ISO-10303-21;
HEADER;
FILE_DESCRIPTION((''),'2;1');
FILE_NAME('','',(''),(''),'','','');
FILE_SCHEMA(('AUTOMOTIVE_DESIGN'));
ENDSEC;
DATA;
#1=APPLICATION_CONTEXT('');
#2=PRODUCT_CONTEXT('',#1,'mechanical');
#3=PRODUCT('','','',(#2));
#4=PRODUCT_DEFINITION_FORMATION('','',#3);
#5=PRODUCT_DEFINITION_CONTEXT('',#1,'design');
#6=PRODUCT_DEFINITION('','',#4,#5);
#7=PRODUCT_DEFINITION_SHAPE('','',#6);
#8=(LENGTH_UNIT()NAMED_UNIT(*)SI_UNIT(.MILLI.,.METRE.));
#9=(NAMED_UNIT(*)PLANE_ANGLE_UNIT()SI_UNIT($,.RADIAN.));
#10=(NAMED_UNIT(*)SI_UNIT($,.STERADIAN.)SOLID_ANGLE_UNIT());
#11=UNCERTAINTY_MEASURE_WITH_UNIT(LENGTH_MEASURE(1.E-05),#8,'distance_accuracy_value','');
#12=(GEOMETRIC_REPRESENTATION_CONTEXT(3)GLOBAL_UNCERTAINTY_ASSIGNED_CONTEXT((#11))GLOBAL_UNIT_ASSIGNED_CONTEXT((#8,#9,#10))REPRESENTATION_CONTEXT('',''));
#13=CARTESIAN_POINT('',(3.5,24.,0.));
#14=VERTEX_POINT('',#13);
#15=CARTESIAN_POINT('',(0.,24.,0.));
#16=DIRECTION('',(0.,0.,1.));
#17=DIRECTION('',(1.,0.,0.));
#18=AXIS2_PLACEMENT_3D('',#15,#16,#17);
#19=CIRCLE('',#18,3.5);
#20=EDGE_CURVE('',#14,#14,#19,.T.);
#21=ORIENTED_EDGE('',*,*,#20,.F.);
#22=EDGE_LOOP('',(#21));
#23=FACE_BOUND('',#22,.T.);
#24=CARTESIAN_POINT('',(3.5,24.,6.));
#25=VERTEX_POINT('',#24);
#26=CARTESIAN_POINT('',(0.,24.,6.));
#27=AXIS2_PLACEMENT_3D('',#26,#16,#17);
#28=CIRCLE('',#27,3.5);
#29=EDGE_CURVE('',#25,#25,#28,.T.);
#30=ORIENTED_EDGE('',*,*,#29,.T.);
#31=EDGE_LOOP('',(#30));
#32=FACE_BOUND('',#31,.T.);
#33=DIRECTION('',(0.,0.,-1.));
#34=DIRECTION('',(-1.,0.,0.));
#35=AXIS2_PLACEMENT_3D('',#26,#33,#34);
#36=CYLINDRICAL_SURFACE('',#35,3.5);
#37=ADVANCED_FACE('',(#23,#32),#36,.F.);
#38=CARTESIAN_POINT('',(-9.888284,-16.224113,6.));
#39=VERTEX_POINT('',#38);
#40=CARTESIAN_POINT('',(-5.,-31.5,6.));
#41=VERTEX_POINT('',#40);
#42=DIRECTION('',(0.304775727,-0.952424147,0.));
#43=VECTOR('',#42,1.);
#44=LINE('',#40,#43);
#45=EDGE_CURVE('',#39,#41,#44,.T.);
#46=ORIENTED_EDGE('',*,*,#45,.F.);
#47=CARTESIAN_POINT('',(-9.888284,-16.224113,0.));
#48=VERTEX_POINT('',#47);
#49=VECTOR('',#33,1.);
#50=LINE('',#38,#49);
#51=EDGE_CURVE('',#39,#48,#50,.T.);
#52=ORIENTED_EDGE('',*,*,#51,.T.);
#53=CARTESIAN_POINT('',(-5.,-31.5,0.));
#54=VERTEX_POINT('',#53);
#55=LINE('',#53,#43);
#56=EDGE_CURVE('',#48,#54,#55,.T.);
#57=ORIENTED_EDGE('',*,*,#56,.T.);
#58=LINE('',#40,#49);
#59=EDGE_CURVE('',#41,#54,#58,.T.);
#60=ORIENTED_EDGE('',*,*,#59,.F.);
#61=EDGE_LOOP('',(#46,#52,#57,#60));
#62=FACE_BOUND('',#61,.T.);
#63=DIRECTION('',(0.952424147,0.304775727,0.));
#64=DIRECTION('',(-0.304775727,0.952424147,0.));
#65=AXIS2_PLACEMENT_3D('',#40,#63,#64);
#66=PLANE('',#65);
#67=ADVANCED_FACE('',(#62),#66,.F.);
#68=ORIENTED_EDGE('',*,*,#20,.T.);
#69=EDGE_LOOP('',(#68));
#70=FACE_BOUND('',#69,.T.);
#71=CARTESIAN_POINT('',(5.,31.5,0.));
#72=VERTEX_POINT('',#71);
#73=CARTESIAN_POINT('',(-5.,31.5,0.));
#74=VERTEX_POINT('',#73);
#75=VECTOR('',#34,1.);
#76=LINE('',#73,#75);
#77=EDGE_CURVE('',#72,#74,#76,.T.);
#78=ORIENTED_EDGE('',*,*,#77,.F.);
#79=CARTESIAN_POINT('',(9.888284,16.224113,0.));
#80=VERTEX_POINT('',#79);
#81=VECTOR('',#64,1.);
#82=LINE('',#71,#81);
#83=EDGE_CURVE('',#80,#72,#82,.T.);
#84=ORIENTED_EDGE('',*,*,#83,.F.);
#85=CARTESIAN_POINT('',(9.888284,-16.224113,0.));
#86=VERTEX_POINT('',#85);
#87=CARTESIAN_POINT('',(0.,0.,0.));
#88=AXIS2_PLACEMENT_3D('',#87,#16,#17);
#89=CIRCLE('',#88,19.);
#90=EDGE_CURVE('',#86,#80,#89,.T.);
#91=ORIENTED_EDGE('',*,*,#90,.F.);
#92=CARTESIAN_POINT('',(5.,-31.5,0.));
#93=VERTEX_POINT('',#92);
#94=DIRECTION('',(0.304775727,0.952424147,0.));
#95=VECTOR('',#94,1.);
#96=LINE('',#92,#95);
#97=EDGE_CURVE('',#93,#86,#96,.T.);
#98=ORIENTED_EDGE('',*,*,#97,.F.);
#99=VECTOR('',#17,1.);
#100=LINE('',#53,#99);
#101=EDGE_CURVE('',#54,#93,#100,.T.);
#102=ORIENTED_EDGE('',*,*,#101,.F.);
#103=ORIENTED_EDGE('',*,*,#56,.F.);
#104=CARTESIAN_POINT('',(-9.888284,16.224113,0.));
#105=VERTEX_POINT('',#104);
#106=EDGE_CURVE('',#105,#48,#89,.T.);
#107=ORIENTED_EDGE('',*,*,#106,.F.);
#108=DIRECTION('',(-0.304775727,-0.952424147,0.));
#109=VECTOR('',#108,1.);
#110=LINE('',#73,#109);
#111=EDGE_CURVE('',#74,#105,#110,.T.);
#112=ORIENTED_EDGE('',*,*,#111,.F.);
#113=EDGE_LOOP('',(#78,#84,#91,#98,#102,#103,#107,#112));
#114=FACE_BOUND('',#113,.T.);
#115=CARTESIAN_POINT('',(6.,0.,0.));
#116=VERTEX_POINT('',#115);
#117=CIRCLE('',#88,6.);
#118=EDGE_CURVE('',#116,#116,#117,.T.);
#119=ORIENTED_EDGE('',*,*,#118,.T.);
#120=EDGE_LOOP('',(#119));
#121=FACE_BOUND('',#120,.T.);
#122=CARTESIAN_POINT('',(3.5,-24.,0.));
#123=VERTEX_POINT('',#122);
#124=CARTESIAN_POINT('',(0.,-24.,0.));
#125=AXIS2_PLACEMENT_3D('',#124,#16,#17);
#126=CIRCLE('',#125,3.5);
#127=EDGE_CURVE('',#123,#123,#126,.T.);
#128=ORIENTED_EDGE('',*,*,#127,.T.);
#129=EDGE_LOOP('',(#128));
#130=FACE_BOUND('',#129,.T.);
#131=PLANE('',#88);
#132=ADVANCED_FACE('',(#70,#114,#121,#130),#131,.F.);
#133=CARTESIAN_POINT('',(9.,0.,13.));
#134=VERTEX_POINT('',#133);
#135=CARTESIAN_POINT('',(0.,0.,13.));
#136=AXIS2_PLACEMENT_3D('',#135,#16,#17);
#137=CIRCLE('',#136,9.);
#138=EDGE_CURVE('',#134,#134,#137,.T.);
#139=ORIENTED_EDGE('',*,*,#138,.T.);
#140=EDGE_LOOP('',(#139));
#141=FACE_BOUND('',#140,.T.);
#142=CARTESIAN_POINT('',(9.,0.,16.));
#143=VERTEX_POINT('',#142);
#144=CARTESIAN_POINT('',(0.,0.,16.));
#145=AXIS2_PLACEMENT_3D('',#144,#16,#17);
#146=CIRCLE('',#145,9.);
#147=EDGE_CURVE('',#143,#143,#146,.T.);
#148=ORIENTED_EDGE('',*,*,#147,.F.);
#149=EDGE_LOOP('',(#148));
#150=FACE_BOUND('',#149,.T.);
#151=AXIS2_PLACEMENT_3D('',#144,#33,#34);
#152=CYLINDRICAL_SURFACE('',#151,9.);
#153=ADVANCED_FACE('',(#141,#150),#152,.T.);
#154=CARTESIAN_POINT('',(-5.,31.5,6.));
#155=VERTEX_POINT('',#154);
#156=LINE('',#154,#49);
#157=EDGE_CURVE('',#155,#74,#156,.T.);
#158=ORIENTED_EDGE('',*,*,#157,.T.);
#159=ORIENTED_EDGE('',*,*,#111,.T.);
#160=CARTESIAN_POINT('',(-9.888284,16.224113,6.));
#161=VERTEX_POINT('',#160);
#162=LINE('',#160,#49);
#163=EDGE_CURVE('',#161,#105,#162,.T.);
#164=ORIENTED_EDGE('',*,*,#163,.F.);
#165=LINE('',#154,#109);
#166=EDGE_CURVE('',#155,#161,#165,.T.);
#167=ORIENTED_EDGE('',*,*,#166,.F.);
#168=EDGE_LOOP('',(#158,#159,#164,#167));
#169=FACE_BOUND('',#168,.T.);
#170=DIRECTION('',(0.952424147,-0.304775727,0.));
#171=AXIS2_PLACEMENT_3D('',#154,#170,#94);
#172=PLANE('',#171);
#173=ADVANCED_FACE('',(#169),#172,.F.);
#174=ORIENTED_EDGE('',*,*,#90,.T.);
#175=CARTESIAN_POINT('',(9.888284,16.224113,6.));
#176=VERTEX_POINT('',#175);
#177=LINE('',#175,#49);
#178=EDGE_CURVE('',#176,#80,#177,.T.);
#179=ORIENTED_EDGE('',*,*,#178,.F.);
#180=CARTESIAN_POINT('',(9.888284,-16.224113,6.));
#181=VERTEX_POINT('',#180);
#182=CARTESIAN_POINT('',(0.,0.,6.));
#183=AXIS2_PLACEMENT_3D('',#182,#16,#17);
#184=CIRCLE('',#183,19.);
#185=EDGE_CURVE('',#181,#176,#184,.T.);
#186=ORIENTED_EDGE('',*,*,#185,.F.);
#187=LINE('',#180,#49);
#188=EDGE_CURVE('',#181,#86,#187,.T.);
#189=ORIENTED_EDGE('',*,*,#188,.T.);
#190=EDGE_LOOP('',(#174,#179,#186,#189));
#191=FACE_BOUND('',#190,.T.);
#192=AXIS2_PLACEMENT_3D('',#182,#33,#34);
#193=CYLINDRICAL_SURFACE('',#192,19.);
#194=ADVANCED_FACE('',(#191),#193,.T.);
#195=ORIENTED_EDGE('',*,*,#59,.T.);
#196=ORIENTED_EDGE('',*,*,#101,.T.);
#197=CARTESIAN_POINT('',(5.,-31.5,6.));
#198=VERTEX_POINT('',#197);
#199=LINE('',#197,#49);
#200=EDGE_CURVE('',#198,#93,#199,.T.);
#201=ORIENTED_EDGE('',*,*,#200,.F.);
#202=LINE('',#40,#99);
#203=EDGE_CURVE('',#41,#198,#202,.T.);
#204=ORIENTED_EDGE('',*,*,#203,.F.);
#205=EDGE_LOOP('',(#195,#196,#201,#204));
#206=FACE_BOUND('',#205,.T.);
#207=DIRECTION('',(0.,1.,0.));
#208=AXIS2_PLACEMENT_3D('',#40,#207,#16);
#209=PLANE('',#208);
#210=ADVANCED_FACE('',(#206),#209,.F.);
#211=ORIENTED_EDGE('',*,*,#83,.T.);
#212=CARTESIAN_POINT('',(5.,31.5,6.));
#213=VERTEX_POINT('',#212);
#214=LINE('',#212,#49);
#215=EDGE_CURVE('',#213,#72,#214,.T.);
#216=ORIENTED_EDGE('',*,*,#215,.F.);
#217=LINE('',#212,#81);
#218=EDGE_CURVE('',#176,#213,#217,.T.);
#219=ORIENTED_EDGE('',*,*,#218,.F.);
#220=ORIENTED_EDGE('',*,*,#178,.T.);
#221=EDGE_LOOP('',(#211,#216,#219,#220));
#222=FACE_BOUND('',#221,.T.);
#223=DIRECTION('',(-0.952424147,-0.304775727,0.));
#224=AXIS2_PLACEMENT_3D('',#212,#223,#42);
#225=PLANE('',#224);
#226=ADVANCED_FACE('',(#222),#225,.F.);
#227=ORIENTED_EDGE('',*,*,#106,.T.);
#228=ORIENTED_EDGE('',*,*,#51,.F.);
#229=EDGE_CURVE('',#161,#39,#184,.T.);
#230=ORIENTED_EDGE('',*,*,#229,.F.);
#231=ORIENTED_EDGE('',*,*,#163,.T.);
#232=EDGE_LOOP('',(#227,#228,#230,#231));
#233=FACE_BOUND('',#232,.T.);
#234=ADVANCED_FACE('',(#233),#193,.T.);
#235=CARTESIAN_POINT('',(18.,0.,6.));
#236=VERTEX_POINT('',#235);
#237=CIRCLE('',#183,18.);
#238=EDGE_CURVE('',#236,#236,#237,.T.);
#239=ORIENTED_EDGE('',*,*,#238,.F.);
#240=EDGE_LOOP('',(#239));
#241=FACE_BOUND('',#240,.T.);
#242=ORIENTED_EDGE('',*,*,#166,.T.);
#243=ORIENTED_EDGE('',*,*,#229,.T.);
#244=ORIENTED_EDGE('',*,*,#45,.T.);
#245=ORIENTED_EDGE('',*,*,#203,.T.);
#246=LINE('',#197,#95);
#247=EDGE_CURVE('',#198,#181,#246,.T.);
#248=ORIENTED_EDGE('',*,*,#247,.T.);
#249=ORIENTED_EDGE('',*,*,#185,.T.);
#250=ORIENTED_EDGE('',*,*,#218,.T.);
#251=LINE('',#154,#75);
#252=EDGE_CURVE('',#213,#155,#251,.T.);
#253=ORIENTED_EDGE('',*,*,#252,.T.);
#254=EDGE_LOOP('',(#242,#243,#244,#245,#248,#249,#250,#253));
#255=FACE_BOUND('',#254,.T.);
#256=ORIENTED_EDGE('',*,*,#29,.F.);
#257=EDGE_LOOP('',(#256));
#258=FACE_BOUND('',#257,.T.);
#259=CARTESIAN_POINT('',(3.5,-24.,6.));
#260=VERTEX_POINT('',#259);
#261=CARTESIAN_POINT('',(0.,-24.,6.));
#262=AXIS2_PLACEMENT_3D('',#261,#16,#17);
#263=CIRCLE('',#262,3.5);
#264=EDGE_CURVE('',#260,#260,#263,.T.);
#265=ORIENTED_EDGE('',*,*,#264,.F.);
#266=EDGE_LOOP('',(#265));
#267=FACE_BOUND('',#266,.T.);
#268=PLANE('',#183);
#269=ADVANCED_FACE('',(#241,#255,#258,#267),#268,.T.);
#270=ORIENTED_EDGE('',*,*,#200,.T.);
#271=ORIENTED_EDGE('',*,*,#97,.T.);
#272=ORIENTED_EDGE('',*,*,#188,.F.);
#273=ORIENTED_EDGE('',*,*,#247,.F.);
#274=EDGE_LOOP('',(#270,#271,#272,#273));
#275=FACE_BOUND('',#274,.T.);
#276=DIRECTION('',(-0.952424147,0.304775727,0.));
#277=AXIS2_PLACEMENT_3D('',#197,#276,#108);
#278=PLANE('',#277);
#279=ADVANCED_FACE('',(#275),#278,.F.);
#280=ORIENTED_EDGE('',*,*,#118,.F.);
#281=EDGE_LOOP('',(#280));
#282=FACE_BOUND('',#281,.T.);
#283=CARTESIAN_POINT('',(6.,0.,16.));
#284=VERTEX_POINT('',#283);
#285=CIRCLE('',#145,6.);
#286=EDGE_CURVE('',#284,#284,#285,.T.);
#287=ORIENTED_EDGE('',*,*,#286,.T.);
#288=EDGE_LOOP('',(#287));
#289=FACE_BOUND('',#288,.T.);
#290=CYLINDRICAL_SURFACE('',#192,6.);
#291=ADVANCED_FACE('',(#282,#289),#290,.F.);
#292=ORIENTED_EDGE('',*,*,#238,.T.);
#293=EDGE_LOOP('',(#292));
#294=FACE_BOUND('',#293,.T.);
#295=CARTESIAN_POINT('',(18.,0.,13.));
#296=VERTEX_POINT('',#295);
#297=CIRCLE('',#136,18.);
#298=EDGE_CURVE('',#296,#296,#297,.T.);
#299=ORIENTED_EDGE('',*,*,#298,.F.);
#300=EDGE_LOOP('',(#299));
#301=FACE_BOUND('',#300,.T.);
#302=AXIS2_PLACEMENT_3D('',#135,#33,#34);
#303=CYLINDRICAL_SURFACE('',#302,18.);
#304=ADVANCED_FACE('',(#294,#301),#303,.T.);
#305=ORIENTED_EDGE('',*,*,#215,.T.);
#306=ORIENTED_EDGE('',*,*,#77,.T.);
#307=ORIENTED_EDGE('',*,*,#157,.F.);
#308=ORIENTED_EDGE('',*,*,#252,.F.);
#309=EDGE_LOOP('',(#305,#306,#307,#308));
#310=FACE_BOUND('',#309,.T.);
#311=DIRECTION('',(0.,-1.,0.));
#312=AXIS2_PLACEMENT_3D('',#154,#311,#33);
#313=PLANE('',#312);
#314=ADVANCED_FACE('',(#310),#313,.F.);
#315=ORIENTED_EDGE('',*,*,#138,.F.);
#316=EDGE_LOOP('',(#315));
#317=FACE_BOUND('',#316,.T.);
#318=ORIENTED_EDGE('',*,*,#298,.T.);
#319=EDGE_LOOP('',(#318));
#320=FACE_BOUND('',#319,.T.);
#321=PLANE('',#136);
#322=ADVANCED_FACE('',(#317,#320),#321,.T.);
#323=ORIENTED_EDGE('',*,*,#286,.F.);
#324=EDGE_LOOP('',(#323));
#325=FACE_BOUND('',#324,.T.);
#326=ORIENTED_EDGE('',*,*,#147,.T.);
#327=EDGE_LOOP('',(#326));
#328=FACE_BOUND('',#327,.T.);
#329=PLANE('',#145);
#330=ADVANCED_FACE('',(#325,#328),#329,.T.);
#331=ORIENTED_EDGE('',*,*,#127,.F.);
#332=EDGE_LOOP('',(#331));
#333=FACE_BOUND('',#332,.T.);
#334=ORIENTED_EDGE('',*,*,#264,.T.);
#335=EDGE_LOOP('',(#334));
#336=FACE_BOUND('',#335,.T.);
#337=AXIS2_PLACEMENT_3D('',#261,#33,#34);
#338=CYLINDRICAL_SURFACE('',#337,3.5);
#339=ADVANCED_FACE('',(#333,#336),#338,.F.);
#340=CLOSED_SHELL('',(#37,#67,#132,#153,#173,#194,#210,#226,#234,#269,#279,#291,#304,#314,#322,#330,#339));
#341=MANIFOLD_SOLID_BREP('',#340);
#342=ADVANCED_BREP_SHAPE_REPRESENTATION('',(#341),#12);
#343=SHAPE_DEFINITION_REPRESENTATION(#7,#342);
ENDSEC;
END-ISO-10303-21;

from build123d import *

# Parameters (mm, degrees)
SKETCH_1_R          = 3.5
SKETCH_1_R_2        = 6
EXTRUDE_1_DEPTH     = 6
SKETCH_2_R          = 18
EXTRUDE_2_DEPTH     = 7
SKETCH_3_R          = 9
EXTRUDE_3_DEPTH     = 3
SKETCH_4_R          = 6
CUT_EXTRUDE_1_DEPTH = 41.115458367


with BuildPart() as part:
    # 草圖1 → 填料-伸長1 (new body)
    with BuildSketch(Plane.XY):
        with BuildLine():
            Line((-5, 31.5), (5, 31.5))
            Line((5, 31.5), (9.888283839, 16.224113002))
            ThreePointArc((9.888283839, 16.224113002), (19, 0), (9.888283839, -16.224113002))
            Line((9.888283839, -16.224113002), (5, -31.5))
            Line((5, -31.5), (-5, -31.5))
            Line((-5, -31.5), (-9.888283839, -16.224113002))
            ThreePointArc((-9.888283839, -16.224113002), (-19, 0), (-9.888283839, 16.224113002))
            Line((-9.888283839, 16.224113002), (-5, 31.5))
        make_face()
        with Locations((0, 24)):
            Circle(SKETCH_1_R, mode=Mode.SUBTRACT)
        with Locations((0, -24)):
            Circle(SKETCH_1_R, mode=Mode.SUBTRACT)
        Circle(SKETCH_1_R_2, mode=Mode.SUBTRACT)
    extrude(amount=EXTRUDE_1_DEPTH)

    # 草圖2 → 填料-伸長2 (add)
    with BuildSketch(Plane.XY.offset(6)):
        Circle(SKETCH_2_R)
    extrude(amount=EXTRUDE_2_DEPTH)

    # 草圖3 → 填料-伸長3 (add)
    with BuildSketch(Plane.XY.offset(13)):
        Circle(SKETCH_3_R)
    extrude(amount=EXTRUDE_3_DEPTH)

    # 草圖4 → 除料-伸長1 (cut, through all)
    with BuildSketch(Plane.XY.offset(16)):
        Circle(SKETCH_4_R)
    extrude(amount=-CUT_EXTRUDE_1_DEPTH, mode=Mode.SUBTRACT)


solid = part.part
